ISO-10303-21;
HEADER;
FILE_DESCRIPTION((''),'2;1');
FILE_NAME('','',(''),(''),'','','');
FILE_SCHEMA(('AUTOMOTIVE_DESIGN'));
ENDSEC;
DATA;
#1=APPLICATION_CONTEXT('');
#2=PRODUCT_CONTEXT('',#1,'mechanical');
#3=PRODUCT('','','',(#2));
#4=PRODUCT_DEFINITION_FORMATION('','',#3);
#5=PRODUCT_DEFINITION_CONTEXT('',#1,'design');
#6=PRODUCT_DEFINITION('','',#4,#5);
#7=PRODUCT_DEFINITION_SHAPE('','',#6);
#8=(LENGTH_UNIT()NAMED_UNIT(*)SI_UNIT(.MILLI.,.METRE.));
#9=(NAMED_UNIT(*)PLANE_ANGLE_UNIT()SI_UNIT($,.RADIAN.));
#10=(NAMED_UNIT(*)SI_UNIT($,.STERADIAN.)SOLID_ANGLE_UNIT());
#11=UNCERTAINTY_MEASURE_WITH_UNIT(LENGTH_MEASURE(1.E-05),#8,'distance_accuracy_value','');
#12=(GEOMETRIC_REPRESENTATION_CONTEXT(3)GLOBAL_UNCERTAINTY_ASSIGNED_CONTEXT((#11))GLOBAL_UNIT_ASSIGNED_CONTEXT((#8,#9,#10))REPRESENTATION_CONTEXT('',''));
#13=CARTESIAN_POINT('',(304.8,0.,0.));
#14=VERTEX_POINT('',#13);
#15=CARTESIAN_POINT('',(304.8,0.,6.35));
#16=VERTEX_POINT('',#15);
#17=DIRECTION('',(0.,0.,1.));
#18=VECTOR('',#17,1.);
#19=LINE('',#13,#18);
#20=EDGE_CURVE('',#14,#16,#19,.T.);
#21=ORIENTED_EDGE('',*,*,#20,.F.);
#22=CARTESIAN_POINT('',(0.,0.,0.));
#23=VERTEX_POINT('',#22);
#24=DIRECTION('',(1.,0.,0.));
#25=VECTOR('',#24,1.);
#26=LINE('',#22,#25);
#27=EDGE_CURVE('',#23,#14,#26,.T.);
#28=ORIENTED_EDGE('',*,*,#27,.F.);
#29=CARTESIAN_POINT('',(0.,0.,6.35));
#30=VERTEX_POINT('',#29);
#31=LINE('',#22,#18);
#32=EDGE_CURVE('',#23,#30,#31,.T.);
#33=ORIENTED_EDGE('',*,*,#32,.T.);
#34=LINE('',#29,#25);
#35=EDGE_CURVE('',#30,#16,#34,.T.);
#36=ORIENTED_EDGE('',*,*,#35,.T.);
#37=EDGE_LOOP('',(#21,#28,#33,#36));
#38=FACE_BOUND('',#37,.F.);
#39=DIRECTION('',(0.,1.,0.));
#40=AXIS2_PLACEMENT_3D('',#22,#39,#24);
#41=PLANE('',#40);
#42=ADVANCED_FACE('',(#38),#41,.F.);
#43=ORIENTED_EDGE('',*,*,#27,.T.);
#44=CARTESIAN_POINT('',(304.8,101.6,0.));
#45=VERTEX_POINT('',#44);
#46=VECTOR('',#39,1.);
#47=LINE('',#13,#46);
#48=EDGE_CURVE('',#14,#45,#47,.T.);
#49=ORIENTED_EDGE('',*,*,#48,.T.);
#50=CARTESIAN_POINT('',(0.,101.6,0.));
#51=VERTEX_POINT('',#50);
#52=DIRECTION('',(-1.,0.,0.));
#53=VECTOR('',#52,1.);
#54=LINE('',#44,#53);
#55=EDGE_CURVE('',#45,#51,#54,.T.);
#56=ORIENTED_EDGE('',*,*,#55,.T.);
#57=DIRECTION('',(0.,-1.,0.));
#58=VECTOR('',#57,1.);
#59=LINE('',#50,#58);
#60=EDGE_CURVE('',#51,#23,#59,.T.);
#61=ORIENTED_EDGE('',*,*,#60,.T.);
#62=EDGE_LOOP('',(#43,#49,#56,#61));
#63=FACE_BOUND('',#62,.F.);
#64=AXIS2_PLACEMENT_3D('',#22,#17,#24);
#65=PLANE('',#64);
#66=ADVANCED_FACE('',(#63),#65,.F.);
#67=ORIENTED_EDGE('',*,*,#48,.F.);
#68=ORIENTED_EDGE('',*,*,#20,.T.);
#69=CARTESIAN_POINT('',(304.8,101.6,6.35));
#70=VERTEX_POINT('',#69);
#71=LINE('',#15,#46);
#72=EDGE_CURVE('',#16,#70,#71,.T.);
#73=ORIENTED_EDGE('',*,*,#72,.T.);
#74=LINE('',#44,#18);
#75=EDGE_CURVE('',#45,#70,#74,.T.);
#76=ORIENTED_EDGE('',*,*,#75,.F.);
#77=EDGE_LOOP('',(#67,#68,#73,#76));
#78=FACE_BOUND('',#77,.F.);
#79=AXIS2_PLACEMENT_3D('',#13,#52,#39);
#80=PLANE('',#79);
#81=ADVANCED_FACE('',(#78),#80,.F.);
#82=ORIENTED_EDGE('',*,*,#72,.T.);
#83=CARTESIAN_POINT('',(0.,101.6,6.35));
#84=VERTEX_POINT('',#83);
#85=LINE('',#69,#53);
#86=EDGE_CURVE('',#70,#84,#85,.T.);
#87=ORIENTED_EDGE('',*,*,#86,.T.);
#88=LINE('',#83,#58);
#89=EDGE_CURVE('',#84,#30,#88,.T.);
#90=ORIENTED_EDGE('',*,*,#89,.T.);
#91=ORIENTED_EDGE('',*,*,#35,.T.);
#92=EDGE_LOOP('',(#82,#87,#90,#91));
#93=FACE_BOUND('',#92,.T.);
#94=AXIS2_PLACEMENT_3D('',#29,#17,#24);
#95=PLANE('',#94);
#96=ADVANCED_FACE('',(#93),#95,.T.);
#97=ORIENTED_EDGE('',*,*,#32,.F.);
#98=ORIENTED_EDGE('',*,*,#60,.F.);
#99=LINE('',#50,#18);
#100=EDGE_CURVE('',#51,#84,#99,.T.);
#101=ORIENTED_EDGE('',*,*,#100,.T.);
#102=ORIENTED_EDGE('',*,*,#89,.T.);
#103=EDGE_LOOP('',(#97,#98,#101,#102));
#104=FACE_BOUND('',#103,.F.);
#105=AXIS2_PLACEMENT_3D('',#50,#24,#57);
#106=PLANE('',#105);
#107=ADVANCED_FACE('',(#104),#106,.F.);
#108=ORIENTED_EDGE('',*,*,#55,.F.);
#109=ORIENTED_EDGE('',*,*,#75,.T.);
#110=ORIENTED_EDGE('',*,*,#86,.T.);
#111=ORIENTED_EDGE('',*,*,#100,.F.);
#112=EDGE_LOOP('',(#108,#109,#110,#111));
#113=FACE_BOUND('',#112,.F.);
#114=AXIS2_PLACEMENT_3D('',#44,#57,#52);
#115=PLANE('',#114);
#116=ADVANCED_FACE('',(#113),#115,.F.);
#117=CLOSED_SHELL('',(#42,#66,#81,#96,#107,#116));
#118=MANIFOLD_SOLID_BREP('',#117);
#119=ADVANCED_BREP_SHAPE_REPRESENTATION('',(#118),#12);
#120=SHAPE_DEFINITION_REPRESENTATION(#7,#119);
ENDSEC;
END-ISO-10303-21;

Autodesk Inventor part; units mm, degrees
ref_plane "YZ Plane" through (0, 0, 0) normal (1, 0, 0) x (0, 1, 0)
ref_plane "XZ Plane" through (0, 0, 0) normal (0, 1, 0) x (-1, 0, 0)
ref_plane "XY Plane" through (0, 0, 0) normal (0, 0, 1) x (1, 0, 0)
sketch "Sketch1" plane through (0, 0, 0) normal (0, 0, 1) x (1, 0, 0)
  line L0 (0, 0) -> (304.8, 0)
  line L1 (304.8, 0) -> (304.8, 101.6)
  line L2 (304.8, 101.6) -> (0, 101.6)
  line L3 (0, 101.6) -> (0, 0)
  dimension "d0" = 304.8
  dimension "d1" = 101.6
extrude "Extrusion1" add sketch "Sketch1" along normal blind 6.35
properties part number "confiner_back_panel"
